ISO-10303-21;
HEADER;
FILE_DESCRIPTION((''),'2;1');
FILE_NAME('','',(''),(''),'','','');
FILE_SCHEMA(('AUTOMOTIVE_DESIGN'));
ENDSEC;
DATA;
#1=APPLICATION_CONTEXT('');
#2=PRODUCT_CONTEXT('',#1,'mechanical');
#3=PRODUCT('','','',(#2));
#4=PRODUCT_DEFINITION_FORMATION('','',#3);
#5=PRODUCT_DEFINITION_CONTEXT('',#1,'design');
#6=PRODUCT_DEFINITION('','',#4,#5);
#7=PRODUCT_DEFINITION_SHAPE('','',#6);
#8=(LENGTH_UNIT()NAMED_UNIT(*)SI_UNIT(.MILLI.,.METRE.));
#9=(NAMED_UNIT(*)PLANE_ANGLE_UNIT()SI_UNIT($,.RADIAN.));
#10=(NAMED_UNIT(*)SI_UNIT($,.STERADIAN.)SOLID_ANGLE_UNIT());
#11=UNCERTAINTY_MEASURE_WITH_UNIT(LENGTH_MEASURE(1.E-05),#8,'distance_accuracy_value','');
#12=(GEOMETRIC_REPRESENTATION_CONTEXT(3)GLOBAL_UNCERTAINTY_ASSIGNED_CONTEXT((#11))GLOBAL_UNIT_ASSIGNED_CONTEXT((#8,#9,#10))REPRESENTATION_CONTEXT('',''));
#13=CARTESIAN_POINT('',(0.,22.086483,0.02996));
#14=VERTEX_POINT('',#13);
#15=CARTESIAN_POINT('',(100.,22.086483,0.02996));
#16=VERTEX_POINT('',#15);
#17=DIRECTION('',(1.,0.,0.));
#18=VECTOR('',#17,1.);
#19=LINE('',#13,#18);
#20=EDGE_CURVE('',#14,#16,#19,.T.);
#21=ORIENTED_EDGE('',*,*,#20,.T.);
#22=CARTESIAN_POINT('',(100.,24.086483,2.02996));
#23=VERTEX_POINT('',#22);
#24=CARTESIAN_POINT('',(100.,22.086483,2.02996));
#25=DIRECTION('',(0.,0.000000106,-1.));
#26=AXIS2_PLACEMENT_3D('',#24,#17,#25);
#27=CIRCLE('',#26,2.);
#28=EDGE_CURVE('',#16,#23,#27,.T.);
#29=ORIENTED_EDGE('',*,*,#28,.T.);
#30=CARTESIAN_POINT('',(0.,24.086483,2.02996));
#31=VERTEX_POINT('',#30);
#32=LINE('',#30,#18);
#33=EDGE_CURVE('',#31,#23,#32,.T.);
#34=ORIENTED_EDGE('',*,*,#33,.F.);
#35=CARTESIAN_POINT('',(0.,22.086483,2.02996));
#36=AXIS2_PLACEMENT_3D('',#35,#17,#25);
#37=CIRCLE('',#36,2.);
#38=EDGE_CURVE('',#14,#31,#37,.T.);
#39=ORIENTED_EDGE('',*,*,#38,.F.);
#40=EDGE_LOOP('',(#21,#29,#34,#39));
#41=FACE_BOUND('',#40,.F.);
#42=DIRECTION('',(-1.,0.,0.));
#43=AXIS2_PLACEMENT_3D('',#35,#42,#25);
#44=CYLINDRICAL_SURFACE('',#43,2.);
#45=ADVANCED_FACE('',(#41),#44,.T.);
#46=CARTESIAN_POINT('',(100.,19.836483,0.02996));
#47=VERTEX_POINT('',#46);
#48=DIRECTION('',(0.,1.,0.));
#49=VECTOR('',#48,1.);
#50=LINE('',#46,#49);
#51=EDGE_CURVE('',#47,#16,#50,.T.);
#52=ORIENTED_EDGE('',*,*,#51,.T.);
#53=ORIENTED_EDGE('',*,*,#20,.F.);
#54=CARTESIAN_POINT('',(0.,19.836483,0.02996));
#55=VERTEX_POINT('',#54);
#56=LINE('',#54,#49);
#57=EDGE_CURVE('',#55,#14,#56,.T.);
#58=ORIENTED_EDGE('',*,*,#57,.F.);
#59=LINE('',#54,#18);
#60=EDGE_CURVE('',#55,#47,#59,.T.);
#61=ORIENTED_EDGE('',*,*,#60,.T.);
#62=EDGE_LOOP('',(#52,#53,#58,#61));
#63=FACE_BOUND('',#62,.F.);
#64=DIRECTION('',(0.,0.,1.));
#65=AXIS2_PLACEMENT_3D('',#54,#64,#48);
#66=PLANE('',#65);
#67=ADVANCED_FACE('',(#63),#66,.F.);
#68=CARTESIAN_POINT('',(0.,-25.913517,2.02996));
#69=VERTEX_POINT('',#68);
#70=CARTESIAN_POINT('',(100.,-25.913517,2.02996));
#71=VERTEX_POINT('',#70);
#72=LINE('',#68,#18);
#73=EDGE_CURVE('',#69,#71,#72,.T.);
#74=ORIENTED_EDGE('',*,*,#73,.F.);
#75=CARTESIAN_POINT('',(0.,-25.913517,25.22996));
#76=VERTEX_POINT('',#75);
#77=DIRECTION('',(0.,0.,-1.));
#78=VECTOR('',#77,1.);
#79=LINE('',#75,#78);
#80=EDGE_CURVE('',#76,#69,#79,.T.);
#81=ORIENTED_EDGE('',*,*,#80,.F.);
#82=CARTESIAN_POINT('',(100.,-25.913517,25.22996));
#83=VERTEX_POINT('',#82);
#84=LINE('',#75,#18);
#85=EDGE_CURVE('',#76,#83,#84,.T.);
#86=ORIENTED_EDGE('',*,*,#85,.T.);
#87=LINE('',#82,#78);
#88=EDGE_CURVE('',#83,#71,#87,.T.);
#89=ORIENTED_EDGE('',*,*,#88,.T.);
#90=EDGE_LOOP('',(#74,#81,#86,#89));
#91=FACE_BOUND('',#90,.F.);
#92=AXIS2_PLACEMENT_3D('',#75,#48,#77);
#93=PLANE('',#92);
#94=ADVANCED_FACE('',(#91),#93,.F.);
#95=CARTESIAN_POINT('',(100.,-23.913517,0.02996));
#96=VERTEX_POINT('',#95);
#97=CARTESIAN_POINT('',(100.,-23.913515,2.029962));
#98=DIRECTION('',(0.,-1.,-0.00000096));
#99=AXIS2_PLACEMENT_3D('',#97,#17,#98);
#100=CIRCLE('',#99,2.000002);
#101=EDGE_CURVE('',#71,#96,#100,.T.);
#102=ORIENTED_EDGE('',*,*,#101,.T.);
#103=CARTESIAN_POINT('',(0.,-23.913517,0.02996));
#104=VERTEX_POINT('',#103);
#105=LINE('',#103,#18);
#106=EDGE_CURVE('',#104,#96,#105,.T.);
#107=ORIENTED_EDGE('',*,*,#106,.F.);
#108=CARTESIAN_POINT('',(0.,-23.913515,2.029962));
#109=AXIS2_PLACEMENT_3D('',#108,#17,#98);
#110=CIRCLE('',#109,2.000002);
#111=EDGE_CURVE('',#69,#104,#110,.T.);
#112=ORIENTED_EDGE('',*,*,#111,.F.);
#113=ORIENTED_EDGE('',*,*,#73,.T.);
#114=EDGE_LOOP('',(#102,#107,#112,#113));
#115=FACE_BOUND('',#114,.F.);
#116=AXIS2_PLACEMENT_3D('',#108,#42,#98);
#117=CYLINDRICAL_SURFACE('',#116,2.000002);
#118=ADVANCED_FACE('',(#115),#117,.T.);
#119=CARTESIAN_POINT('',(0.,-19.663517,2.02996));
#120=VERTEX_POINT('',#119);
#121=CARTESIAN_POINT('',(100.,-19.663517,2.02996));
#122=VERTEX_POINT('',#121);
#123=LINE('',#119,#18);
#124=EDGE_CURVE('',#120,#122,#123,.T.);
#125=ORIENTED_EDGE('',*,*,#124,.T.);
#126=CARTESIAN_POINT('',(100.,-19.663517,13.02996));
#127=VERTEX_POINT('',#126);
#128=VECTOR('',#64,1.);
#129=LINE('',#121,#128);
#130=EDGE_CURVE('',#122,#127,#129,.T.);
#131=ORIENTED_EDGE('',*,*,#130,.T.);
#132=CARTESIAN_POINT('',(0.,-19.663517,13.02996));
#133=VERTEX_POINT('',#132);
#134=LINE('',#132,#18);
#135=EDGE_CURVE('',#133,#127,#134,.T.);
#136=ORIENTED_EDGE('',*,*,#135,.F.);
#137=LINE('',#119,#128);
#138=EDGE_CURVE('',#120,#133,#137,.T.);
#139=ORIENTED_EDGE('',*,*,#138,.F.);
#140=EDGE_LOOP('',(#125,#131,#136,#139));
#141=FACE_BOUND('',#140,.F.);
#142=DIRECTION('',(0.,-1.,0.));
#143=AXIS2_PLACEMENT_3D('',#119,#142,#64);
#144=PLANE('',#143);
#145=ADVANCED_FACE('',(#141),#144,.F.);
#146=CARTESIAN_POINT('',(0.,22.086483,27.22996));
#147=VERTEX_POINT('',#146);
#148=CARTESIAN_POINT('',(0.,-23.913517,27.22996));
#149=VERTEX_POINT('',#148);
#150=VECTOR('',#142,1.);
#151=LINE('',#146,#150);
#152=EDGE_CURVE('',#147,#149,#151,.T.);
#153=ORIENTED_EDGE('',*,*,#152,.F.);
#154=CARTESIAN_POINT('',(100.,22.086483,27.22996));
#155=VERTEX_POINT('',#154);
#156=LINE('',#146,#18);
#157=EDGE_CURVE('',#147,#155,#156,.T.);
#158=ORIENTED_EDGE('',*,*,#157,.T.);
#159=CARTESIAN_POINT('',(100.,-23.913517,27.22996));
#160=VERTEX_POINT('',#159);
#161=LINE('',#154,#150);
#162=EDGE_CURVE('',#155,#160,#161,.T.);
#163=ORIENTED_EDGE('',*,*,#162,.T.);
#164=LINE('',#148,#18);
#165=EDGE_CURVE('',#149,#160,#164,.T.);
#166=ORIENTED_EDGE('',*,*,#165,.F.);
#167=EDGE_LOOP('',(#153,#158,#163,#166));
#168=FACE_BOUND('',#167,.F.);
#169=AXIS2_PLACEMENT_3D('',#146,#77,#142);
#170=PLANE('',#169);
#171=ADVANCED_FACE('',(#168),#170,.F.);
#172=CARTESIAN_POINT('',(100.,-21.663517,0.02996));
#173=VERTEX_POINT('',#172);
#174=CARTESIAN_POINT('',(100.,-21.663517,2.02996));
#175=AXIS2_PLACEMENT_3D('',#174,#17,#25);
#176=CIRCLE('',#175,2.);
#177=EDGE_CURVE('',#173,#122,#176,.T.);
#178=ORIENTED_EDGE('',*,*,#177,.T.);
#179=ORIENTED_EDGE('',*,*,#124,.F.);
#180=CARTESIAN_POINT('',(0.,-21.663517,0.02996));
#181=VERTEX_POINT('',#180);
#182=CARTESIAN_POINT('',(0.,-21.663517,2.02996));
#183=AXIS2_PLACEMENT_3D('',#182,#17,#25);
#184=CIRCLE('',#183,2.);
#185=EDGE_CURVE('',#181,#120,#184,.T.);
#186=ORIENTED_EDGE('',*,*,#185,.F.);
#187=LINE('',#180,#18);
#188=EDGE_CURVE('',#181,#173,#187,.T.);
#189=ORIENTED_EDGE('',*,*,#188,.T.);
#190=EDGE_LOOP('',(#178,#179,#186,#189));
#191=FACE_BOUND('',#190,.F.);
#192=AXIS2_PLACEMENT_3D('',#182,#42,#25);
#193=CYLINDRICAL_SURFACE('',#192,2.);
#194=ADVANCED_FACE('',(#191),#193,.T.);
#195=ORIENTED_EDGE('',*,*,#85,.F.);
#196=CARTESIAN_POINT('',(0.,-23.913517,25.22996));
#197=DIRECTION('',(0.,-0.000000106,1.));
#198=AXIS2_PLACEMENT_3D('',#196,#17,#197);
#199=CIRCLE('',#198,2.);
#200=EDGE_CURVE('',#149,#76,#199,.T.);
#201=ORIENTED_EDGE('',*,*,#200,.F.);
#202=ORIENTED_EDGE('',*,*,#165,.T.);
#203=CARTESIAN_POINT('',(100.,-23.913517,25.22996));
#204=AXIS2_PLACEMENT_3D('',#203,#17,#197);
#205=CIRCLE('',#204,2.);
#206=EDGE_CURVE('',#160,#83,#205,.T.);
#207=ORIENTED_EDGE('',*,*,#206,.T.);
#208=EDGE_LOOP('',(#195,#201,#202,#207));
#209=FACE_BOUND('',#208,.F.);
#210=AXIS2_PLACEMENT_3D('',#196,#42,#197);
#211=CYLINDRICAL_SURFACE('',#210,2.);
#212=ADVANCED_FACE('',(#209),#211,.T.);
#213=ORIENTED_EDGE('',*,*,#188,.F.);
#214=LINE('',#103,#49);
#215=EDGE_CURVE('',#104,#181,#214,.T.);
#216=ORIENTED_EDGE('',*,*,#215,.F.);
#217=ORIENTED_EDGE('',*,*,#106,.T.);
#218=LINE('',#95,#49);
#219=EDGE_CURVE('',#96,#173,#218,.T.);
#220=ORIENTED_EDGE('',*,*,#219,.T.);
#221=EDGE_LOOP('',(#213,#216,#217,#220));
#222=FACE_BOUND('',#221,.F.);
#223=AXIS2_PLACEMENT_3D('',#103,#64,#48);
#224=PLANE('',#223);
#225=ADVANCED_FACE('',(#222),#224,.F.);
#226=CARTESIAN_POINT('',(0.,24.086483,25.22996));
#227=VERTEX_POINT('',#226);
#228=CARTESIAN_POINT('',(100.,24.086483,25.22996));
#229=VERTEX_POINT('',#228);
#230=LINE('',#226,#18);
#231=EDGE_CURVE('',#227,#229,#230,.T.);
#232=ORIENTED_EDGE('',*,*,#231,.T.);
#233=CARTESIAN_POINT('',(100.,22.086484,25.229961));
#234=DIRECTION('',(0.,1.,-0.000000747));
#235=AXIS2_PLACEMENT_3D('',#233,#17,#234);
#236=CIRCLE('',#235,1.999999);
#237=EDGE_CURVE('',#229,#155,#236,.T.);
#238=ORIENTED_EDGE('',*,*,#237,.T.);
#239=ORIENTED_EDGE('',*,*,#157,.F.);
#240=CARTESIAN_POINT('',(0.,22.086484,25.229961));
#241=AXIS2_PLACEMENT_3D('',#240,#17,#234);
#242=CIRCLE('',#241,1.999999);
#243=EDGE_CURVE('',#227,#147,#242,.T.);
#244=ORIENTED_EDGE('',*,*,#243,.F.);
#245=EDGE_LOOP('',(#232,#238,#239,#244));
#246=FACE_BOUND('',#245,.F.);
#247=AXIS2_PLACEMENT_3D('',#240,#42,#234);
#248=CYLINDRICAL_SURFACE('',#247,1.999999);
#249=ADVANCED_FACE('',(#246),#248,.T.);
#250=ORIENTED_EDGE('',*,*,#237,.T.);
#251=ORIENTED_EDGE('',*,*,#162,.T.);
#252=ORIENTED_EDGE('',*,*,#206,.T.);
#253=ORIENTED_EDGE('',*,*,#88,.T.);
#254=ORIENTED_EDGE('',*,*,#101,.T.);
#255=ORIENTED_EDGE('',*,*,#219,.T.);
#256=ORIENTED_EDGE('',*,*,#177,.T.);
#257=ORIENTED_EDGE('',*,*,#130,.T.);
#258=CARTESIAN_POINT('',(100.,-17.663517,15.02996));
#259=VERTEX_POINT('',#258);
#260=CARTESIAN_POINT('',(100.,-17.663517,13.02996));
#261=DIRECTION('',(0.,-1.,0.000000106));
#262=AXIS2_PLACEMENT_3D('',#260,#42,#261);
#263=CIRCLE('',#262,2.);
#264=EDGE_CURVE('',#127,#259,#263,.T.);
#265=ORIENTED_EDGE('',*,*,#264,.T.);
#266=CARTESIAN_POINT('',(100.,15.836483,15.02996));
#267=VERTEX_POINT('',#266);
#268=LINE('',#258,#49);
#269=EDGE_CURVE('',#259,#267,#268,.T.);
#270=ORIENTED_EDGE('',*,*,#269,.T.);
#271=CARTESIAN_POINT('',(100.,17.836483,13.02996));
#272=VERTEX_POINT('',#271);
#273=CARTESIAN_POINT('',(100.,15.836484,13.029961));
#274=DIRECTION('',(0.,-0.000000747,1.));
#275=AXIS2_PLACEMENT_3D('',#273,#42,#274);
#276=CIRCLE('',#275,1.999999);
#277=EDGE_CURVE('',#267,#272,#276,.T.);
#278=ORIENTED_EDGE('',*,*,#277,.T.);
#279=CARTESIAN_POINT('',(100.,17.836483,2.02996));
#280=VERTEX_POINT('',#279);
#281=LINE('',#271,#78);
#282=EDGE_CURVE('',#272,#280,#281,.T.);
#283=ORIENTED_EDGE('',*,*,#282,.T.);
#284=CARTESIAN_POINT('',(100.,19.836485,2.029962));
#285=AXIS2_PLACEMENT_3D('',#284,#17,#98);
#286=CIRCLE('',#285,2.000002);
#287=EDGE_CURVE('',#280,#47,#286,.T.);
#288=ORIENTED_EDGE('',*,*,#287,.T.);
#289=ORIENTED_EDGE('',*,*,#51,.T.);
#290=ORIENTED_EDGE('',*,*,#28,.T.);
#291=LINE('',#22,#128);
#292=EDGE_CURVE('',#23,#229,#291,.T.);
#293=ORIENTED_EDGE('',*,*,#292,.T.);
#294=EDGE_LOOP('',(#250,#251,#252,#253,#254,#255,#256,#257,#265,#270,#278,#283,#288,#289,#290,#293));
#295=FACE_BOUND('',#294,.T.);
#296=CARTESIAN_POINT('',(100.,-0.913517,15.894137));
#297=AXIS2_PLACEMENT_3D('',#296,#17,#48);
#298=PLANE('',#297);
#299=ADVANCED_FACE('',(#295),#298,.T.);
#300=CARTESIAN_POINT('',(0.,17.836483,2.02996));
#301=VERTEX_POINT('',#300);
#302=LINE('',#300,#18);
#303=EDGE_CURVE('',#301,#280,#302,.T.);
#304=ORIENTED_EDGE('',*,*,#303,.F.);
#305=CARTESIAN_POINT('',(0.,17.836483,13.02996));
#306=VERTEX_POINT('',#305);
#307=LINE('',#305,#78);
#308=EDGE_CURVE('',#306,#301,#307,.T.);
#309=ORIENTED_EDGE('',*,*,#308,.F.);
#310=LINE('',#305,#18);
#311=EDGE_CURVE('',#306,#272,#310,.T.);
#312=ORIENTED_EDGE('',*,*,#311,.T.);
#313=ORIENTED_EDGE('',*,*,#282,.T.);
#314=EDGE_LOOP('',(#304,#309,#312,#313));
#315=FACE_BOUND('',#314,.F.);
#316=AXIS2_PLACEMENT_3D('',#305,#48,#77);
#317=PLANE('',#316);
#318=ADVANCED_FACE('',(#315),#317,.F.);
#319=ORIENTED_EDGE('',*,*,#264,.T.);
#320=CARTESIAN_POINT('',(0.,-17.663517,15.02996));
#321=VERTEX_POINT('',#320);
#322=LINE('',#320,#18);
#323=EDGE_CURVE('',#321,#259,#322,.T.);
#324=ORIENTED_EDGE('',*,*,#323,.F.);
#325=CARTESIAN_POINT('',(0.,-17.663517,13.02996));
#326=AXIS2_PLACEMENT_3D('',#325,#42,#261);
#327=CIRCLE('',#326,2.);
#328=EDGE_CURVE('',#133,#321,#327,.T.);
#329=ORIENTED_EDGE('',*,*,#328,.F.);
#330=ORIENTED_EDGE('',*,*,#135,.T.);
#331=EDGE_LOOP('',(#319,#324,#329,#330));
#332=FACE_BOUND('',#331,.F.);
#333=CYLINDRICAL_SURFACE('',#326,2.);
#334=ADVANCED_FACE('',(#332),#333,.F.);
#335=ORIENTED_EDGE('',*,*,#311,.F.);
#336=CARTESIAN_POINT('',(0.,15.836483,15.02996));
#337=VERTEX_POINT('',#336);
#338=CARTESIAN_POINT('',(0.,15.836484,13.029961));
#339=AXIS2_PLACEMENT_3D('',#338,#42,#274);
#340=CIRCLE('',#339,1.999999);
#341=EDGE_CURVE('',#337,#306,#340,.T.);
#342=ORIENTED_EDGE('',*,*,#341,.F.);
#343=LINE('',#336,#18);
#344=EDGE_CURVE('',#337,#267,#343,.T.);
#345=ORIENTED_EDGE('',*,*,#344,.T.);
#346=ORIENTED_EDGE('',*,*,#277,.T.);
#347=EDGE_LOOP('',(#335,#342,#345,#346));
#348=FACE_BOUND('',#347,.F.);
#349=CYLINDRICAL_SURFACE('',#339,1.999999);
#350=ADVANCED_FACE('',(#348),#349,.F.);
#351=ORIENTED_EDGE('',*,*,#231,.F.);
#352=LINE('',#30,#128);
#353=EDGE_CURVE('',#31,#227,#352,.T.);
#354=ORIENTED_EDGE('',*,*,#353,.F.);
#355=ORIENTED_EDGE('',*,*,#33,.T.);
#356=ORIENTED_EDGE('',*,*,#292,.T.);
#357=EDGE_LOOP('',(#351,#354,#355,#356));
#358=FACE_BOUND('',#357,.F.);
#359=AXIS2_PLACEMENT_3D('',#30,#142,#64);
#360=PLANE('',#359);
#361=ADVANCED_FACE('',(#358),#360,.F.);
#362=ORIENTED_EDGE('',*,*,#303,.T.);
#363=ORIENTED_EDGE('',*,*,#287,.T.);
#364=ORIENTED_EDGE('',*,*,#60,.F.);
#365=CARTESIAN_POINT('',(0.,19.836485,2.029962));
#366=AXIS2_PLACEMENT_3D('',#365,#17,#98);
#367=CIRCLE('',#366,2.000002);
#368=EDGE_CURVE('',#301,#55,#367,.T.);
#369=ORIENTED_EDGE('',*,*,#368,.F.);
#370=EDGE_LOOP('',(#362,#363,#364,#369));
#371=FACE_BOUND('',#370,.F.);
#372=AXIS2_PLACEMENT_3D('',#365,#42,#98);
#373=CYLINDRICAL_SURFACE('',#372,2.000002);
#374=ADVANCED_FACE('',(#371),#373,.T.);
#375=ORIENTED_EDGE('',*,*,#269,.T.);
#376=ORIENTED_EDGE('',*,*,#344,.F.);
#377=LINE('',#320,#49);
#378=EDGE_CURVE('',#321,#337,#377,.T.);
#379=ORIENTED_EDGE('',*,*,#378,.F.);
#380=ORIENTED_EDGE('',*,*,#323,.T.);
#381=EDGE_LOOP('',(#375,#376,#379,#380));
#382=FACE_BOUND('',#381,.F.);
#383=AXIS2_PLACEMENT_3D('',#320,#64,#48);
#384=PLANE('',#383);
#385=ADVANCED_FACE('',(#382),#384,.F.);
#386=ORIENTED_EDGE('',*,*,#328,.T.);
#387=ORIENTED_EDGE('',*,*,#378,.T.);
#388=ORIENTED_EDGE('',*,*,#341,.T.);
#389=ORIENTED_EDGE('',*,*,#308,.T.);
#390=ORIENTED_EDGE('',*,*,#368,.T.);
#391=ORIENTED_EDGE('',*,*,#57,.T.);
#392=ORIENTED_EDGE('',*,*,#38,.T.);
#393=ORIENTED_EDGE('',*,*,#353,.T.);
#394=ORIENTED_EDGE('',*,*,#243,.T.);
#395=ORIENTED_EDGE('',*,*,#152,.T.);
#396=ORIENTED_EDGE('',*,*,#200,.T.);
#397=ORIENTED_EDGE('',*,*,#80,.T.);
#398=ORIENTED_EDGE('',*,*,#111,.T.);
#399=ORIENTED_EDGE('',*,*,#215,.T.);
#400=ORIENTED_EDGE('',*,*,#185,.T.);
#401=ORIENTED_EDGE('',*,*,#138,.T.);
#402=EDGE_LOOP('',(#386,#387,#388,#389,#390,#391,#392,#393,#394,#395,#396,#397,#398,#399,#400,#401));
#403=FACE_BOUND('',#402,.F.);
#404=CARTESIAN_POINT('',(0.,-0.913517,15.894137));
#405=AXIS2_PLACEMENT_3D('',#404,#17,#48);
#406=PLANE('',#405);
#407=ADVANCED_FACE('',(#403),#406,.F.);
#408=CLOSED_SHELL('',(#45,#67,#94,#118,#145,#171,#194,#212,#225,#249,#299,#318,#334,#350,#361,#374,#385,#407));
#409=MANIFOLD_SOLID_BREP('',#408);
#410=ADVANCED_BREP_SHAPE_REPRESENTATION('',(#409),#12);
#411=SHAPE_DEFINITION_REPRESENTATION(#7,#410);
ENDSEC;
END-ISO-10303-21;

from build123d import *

# Parameters (mm, degrees)
F1_DEPTH = 100


with BuildPart() as f1:
    # F0 (on Right) → F1 (new body)
    with BuildSketch(Plane.YZ):
        with BuildLine():
            Line((22.086483, 27.22996), (-23.913517, 27.22996))
            ThreePointArc((-23.913517, 27.22996), (-25.32773, 26.644174), (-25.913517, 25.22996))
            Line((-25.913517, 25.22996), (-25.913517, 2.02996))
            ThreePointArc((-25.913517, 2.02996), (-25.32773, 0.615747), (-23.913517, 0.02996))
            Line((-23.913517, 0.02996), (-21.663517, 0.02996))
            ThreePointArc((-21.663517, 0.02996), (-20.249303, 0.615747), (-19.663517, 2.02996))
            Line((-19.663517, 2.02996), (-19.663517, 13.02996))
            ThreePointArc((-19.663517, 13.02996), (-19.07773, 14.444174), (-17.663517, 15.02996))
            Line((-17.663517, 15.02996), (15.836483, 15.02996))
            ThreePointArc((15.836483, 15.02996), (17.250697, 14.444174), (17.836483, 13.02996))
            Line((17.836483, 13.02996), (17.836483, 2.02996))
            ThreePointArc((17.836483, 2.02996), (18.42227, 0.615747), (19.836483, 0.02996))
            Line((19.836483, 0.02996), (22.086483, 0.02996))
            ThreePointArc((22.086483, 0.02996), (23.500697, 0.615747), (24.086483, 2.02996))
            Line((24.086483, 2.02996), (24.086483, 25.22996))
            ThreePointArc((24.086483, 25.22996), (23.500697, 26.644174), (22.086483, 27.22996))
        make_face()
    extrude(amount=F1_DEPTH)


solid = f1.part
